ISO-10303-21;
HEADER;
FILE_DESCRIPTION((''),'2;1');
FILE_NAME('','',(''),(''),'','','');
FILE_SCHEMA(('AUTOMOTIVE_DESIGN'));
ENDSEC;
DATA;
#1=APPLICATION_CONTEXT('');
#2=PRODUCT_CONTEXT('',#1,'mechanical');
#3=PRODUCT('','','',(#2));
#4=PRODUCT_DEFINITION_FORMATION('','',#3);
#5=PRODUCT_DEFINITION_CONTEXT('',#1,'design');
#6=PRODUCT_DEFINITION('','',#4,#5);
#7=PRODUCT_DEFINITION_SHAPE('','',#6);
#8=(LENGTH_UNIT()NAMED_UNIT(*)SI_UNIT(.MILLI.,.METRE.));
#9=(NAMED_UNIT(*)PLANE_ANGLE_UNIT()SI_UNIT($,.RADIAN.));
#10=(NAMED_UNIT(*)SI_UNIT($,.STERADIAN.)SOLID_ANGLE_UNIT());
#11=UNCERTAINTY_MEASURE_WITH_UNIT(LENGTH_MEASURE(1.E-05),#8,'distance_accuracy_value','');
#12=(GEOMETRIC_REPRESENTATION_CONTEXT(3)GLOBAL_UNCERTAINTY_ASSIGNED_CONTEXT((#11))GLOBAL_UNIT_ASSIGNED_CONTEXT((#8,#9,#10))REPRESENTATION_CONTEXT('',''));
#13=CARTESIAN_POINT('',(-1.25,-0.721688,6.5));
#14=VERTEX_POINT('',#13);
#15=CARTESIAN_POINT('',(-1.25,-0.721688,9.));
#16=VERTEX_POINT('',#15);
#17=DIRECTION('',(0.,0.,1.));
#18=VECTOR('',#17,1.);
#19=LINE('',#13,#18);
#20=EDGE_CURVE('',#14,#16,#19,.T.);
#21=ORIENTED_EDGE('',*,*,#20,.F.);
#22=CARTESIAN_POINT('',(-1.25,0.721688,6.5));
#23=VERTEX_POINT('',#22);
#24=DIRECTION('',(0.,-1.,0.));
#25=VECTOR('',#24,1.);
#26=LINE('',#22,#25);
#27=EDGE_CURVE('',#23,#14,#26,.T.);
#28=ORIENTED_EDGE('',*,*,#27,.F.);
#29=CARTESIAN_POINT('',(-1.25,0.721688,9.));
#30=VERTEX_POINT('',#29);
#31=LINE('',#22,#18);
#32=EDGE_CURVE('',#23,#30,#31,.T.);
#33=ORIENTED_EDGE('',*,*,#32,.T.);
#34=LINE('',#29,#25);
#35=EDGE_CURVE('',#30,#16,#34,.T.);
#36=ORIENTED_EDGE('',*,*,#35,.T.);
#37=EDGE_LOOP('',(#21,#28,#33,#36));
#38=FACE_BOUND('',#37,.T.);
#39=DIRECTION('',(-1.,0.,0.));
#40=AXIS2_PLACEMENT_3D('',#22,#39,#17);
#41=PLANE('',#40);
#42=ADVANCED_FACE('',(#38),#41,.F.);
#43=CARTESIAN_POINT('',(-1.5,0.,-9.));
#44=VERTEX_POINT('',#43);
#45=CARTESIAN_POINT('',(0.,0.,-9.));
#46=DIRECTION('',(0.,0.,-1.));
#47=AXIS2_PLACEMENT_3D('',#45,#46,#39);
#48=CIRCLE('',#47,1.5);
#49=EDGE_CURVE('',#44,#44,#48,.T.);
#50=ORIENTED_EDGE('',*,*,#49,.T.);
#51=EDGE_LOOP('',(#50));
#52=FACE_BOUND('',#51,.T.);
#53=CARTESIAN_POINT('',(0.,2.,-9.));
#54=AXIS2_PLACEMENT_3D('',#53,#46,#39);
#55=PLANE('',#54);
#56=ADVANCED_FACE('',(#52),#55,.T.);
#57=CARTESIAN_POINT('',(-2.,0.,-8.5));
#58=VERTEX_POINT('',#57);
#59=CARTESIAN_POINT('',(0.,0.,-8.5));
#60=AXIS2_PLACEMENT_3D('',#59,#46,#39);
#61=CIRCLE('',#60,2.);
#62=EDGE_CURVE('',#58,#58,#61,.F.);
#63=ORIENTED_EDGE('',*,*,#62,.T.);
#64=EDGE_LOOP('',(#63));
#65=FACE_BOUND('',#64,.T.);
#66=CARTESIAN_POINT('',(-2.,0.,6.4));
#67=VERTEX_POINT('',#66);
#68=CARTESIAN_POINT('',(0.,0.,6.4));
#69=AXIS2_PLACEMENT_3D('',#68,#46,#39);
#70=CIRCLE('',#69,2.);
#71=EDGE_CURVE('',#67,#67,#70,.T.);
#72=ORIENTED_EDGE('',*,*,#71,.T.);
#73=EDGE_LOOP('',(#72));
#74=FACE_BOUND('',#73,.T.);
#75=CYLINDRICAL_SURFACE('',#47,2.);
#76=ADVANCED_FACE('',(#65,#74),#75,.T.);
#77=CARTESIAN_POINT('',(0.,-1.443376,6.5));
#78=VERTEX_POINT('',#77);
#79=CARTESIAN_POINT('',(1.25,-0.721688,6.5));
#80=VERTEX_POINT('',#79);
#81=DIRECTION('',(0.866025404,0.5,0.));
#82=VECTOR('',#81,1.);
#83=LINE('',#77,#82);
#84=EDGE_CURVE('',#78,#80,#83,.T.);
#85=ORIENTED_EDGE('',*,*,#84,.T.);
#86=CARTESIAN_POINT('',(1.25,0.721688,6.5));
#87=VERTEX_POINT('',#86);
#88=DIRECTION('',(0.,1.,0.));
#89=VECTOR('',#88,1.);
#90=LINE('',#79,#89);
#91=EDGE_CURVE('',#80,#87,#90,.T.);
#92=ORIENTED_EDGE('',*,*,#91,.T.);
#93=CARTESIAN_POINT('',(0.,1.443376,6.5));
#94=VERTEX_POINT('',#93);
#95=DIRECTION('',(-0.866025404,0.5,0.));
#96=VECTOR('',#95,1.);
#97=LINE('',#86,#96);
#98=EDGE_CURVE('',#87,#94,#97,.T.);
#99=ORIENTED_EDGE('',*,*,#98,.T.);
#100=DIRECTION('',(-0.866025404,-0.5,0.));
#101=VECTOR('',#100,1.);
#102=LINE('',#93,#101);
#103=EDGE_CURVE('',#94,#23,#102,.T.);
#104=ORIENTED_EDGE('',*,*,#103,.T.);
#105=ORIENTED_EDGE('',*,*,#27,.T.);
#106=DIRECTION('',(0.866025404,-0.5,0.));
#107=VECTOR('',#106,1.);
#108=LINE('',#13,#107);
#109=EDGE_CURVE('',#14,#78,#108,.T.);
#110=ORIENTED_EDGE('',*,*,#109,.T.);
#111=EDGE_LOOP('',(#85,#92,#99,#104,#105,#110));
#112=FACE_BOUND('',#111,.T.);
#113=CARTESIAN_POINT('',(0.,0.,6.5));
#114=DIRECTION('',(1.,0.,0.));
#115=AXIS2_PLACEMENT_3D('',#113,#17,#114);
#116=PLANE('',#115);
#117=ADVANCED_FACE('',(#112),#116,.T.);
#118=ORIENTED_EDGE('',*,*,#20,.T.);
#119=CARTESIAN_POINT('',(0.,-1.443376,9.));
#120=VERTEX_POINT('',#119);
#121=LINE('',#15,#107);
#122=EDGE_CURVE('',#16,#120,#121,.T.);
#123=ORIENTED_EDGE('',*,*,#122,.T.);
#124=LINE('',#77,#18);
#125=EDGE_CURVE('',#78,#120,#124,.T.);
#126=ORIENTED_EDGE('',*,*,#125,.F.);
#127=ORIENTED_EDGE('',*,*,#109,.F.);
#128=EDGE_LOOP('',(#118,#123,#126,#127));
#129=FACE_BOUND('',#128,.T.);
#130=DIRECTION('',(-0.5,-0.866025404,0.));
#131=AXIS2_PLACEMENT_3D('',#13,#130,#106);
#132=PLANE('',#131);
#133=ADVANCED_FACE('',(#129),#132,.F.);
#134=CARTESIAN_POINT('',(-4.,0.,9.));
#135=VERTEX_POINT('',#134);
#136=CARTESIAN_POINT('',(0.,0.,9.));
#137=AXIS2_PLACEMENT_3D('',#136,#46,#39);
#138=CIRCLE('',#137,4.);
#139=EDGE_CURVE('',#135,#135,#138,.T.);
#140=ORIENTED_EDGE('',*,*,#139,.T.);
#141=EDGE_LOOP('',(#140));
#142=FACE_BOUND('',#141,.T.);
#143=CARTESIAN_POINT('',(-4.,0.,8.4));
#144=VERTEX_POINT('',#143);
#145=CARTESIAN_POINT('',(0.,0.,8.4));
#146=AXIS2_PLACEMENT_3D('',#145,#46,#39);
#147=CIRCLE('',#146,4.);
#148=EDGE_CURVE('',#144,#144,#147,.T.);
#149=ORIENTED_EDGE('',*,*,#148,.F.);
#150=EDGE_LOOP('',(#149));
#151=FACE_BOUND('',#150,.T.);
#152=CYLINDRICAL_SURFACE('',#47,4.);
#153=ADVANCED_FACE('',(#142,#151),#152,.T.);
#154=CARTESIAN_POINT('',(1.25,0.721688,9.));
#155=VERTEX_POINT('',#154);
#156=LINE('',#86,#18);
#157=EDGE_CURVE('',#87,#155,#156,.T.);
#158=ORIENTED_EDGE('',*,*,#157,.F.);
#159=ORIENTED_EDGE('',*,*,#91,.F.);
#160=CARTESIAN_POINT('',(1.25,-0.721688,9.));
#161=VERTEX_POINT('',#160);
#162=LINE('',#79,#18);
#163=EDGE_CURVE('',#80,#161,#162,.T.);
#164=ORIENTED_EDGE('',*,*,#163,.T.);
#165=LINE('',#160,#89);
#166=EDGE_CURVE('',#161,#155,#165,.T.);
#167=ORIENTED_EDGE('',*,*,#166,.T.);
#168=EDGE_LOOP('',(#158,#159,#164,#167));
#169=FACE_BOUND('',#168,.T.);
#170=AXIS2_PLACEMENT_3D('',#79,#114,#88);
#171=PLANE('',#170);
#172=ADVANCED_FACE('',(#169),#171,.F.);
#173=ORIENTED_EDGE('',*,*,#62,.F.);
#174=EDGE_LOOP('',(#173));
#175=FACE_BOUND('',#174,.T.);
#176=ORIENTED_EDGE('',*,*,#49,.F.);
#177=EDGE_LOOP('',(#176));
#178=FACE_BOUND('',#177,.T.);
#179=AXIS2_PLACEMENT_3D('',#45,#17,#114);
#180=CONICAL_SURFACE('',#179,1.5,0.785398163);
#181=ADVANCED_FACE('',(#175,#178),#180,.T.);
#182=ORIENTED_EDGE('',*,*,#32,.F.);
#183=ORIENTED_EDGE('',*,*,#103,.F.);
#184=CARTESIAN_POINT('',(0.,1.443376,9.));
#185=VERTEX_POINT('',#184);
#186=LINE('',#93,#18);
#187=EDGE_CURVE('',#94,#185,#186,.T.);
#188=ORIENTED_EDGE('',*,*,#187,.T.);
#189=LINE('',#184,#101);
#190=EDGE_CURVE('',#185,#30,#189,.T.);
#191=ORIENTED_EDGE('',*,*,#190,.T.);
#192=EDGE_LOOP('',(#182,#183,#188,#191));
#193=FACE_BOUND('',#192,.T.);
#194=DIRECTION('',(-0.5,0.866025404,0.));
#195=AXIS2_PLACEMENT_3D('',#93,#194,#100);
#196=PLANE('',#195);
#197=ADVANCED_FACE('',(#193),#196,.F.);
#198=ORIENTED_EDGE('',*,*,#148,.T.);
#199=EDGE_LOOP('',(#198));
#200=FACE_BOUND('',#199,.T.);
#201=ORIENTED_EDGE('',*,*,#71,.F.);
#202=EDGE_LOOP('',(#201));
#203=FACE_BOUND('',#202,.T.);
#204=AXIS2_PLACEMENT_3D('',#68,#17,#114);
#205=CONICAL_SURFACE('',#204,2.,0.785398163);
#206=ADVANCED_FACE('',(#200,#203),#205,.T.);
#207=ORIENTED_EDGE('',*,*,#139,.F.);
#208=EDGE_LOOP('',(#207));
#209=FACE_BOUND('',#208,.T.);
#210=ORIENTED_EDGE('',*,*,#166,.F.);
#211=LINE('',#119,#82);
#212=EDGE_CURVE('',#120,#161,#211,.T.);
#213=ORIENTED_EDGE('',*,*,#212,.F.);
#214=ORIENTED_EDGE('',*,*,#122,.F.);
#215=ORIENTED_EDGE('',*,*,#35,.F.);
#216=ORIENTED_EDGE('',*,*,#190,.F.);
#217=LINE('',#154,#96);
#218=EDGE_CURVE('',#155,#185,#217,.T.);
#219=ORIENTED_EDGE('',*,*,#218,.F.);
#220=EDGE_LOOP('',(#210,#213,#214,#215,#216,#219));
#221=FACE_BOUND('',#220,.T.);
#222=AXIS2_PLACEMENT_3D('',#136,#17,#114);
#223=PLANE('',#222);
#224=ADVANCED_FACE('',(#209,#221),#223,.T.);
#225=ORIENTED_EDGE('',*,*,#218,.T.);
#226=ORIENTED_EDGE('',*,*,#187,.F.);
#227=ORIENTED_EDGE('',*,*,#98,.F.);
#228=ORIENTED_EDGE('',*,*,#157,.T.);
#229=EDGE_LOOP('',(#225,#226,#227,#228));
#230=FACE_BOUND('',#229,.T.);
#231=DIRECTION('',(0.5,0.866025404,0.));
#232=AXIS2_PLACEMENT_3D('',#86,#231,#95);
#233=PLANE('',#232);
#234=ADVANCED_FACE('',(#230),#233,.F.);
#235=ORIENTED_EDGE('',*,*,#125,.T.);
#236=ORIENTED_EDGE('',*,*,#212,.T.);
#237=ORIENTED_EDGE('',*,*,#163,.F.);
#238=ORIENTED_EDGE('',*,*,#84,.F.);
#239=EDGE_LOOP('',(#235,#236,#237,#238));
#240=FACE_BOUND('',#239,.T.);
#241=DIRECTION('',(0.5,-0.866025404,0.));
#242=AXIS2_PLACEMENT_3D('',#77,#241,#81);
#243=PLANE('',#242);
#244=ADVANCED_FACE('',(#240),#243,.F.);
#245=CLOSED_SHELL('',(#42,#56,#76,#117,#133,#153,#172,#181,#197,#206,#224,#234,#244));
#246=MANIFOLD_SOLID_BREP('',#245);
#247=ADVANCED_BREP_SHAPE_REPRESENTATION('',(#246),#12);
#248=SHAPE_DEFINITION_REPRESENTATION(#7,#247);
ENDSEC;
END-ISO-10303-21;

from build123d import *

# Parameters (mm, degrees)
CHAMFER_1_SIZE      = 0.5
CUT_EXTRUDE_1_DEPTH = 2.5


with BuildPart() as part:
    # 草图1 → 旋转1 (revolve)
    with BuildSketch(Plane(origin=(0, 0, 0), x_dir=(0, 0, -1), z_dir=(1, 0, 0)), mode=Mode.PRIVATE) as revolve_1_sk:
        Polygon((-9, 0), (-9, 4), (-8.4, 4), (-6.4, 2), (9, 2), (9, 0), align=None)
    revolve(revolve_1_sk.sketch.rotate(Axis((0, 0, -9), (0, 0, 1)), 90), axis=Axis((0, 0, -9), (0, 0, 1)))

    # 倒角1
    chamfer_1_edges = [part.edges().sort_by_distance(p)[0] for p in [
        (2, 0, -9),
    ]]
    chamfer(chamfer_1_edges, length=CHAMFER_1_SIZE)

    # 草图2 → 切除-拉伸1 (cut)
    with BuildSketch(Plane.XY.offset(9)):
        Polygon((0, 1.443375673), (-1.25, 0.721687836), (-1.25, -0.721687836), (0, -1.443375673), (1.25, -0.721687836), (1.25, 0.721687836), align=None)
    extrude(amount=-CUT_EXTRUDE_1_DEPTH, mode=Mode.SUBTRACT)


solid = part.part
